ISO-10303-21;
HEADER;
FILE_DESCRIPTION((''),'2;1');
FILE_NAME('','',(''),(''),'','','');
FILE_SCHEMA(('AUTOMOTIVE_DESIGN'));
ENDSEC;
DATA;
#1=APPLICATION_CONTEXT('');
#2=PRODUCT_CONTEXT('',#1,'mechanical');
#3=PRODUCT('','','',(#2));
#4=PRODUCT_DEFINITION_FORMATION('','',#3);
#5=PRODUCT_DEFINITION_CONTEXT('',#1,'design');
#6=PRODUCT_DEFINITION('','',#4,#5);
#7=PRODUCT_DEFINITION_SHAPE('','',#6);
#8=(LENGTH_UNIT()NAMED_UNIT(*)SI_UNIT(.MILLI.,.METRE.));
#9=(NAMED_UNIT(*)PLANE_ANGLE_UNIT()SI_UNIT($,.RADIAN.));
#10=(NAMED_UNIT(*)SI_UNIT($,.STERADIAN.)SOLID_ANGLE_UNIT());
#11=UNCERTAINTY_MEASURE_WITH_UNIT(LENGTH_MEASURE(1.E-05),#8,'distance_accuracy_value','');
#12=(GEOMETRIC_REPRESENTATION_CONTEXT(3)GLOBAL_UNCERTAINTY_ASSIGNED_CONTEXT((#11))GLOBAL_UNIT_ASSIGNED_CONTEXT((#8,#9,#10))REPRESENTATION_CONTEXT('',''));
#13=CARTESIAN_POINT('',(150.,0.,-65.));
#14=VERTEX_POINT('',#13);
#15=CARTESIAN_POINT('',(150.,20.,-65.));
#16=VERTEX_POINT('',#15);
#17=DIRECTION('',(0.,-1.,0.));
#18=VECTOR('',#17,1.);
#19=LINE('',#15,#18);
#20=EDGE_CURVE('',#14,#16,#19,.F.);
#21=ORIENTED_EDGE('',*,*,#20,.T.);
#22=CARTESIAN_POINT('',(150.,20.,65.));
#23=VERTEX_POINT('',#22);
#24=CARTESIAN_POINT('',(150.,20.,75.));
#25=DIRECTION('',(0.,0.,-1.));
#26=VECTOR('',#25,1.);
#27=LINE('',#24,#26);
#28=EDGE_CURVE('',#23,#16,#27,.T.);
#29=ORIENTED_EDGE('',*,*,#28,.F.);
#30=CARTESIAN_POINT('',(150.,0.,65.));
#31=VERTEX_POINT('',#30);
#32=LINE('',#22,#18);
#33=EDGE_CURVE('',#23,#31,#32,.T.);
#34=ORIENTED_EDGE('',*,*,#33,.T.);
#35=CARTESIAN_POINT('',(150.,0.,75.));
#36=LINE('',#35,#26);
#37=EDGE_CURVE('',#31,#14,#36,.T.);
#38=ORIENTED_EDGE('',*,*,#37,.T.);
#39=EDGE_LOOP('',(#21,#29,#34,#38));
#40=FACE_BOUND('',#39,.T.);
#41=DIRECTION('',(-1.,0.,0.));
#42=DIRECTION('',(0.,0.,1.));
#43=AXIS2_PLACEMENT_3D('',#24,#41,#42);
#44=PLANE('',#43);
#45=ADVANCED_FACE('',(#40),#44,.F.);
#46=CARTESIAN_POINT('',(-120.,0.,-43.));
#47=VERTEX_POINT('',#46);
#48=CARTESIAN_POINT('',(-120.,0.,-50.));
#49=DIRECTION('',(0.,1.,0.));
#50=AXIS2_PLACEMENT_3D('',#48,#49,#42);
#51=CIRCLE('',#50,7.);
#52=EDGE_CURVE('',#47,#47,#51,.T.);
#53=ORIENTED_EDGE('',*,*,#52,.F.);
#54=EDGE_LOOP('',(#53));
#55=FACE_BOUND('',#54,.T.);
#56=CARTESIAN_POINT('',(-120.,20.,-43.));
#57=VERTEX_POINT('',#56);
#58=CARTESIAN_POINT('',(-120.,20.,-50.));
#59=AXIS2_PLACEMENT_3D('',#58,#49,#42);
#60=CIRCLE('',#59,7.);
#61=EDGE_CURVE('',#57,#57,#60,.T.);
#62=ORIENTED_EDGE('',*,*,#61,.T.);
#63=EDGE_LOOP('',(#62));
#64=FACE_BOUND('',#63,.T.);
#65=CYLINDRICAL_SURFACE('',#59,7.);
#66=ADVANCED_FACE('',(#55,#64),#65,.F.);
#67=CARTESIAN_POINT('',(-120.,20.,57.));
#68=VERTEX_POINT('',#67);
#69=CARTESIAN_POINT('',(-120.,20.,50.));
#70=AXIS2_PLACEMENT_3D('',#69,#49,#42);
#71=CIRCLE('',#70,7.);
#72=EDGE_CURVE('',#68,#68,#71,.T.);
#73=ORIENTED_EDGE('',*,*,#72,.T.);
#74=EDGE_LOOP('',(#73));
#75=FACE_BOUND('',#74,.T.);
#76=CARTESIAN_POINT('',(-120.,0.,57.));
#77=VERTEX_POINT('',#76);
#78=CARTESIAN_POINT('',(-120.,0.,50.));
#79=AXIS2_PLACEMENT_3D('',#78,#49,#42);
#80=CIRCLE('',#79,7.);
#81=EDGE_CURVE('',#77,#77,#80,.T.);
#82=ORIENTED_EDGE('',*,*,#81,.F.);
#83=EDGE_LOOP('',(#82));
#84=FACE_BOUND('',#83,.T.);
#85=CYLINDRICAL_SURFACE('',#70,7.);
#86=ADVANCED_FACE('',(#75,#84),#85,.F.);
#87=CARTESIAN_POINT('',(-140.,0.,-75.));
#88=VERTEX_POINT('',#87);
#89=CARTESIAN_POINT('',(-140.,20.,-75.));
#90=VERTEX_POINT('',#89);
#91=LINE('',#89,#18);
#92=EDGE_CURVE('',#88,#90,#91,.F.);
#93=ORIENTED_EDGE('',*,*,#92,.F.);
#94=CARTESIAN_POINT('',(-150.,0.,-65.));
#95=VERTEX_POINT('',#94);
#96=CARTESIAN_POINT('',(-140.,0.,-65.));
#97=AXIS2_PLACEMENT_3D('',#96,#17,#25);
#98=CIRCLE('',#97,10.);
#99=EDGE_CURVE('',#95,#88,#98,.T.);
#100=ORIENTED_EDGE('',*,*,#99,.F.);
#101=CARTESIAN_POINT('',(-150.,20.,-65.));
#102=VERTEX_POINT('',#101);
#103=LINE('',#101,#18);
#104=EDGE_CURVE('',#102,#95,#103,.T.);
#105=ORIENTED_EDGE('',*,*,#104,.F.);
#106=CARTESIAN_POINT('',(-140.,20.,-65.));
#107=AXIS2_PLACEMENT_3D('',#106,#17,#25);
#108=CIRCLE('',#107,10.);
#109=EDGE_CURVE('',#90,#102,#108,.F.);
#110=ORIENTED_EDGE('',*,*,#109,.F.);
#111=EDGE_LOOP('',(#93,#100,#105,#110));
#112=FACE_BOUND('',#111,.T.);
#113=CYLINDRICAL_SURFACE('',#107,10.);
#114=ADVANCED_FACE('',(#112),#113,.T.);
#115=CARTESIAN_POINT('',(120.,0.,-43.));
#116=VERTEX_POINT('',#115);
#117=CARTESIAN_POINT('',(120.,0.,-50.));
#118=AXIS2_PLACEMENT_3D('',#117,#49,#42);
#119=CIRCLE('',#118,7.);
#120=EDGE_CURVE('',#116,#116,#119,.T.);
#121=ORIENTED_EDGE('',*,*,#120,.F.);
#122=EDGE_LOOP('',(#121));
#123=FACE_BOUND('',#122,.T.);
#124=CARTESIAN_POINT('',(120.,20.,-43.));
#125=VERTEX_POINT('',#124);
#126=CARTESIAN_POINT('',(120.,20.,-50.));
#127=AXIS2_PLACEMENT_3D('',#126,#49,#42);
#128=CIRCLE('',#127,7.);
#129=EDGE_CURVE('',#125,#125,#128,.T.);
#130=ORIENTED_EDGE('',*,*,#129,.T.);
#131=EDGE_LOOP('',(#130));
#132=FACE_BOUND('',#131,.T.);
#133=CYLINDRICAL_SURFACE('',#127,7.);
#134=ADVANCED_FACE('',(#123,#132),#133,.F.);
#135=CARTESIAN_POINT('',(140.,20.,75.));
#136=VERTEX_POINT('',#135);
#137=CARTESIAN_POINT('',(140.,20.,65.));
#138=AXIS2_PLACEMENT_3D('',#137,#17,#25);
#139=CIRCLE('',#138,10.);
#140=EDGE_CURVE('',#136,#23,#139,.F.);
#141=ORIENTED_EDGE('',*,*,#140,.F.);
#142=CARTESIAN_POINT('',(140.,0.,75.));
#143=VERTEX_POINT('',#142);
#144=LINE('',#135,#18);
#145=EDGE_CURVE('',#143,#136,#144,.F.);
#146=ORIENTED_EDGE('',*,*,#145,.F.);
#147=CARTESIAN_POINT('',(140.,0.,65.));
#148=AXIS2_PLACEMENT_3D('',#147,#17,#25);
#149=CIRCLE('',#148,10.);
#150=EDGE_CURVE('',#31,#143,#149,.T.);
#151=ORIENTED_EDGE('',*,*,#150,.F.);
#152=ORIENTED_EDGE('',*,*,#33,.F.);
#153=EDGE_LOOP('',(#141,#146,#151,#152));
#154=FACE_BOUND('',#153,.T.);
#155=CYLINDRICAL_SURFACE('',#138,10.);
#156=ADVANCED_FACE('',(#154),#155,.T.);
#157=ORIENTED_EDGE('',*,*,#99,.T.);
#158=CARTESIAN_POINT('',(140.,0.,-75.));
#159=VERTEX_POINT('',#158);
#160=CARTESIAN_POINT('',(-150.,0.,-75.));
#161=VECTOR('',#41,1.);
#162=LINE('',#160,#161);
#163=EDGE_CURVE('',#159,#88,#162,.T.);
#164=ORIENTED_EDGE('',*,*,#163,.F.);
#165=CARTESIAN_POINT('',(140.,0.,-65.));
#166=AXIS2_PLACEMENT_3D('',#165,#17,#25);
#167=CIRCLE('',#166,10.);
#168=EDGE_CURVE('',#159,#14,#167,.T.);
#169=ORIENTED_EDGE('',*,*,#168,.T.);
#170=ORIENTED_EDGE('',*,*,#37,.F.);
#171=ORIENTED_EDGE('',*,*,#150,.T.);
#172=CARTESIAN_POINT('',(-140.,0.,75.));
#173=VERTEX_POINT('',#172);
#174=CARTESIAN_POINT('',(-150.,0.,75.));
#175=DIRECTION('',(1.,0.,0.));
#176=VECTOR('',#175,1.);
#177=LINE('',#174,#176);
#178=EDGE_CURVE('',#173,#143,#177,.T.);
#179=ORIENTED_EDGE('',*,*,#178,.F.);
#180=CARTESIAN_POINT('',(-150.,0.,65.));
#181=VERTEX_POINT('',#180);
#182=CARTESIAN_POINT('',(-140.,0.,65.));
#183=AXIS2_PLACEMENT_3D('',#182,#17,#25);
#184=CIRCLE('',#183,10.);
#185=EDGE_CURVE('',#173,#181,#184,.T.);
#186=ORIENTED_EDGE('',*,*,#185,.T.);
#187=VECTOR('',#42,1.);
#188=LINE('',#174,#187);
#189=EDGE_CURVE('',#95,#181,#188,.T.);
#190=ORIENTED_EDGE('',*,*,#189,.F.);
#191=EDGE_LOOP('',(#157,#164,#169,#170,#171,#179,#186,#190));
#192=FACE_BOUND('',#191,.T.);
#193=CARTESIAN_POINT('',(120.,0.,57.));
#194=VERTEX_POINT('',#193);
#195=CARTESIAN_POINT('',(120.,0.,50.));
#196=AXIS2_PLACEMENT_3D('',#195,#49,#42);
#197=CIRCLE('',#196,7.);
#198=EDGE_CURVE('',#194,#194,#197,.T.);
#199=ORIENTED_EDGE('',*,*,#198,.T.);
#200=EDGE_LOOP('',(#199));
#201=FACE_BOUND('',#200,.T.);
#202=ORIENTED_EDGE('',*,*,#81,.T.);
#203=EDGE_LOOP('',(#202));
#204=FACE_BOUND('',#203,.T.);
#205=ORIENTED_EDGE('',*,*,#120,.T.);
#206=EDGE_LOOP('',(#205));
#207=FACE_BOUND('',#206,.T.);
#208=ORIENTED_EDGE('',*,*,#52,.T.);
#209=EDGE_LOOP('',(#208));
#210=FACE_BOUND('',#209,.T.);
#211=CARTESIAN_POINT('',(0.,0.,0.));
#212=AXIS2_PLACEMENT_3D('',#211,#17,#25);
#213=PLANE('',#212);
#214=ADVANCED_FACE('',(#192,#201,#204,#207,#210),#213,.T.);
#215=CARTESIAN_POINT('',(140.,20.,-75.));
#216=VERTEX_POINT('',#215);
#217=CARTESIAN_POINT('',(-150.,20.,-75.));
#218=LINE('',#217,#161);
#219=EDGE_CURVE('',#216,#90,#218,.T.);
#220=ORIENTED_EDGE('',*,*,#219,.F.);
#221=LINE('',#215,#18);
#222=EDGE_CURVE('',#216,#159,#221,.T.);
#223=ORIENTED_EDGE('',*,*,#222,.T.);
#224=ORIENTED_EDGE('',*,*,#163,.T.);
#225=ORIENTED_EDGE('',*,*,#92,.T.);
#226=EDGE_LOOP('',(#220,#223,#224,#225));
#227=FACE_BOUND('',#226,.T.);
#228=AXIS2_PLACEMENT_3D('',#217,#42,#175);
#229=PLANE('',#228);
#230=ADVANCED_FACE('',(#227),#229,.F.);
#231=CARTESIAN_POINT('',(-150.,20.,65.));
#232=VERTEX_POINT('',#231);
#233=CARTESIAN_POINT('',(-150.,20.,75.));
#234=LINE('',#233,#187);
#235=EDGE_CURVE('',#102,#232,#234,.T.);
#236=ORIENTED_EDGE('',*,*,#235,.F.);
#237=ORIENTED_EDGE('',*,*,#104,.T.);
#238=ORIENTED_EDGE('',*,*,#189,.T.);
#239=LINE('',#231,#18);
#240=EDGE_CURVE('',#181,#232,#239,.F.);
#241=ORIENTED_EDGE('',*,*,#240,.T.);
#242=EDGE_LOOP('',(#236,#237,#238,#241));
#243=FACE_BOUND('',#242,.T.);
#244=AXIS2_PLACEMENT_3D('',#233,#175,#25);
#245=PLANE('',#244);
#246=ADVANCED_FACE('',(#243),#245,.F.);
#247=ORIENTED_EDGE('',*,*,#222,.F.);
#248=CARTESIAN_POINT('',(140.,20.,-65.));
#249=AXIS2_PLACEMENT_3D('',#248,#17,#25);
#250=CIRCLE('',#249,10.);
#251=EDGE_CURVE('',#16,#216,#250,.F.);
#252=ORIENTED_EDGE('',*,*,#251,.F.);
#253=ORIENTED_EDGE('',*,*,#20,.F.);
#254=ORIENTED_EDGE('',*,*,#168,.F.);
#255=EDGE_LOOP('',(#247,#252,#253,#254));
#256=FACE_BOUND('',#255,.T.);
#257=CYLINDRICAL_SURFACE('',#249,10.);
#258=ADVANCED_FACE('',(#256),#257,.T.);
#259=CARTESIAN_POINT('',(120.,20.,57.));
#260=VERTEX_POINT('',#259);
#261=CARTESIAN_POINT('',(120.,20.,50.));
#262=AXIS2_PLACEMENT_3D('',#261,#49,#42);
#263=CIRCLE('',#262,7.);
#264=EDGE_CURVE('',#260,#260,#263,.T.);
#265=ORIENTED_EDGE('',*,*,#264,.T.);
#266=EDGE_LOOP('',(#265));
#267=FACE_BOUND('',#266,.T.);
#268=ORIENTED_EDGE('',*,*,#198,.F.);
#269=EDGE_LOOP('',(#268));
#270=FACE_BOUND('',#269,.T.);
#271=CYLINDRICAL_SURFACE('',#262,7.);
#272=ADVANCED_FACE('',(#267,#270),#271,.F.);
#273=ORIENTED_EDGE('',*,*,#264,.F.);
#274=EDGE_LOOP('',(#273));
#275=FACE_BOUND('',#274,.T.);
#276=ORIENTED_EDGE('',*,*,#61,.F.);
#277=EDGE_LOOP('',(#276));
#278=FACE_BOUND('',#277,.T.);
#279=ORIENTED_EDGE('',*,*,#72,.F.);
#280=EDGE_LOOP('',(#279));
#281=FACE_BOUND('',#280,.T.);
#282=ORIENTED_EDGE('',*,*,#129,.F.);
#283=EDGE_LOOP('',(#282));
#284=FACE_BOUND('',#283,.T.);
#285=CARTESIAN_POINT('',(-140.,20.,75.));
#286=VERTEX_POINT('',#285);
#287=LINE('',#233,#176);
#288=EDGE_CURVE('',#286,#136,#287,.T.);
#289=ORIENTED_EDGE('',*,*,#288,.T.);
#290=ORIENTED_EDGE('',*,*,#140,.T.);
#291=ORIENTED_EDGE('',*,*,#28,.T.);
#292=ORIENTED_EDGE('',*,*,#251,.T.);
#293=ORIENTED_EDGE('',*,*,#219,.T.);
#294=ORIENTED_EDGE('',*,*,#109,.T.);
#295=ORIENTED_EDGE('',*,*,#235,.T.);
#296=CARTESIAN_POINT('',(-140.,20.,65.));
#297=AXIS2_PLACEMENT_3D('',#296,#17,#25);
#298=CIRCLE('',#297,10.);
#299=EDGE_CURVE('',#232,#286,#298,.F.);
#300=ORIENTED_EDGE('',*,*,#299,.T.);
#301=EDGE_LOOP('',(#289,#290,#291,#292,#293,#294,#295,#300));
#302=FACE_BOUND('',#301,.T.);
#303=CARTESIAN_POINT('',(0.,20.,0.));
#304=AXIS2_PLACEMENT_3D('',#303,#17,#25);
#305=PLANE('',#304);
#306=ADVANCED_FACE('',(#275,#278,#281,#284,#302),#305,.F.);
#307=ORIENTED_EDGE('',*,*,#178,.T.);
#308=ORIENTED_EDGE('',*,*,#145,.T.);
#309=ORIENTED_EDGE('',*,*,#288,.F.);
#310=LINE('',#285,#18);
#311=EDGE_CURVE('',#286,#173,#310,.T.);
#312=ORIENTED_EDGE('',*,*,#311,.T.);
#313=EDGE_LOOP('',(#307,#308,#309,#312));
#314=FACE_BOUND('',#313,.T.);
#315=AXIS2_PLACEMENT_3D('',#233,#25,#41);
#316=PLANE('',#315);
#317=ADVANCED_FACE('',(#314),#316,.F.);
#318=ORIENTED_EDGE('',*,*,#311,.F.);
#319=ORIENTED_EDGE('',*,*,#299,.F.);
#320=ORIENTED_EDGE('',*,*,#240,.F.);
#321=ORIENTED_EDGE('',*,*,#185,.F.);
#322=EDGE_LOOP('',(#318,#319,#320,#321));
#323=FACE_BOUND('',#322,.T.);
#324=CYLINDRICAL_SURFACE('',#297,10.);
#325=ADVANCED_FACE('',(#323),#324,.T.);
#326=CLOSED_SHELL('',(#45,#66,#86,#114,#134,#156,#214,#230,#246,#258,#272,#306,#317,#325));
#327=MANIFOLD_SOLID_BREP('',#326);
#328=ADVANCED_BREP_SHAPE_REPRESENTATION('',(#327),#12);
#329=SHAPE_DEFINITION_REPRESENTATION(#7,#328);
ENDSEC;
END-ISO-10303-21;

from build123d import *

# Parameters (mm, degrees)
SKETCH1_W           = 300
SKETCH1_H           = 150
BOSS_EXTRUDE1_DEPTH = 20
FILLET1_R           = 10
M16_TAPPED_HOLE1_D  = 14


with BuildPart() as part:
    # Sketch1 → Boss-Extrude1 (new body)
    with BuildSketch(Plane(origin=(0, 0, 0), x_dir=(1, 0, 0), z_dir=(0, 1, 0))):
        Rectangle(SKETCH1_W, SKETCH1_H)
    extrude(amount=BOSS_EXTRUDE1_DEPTH)

    # Fillet1
    fillet1_edges = [part.edges().sort_by_distance(p)[0] for p in [
        (150, 10, 75),
        (-150, 10, 75),
        (-150, 10, -75),
        (150, 10, -75),
    ]]
    fillet(fillet1_edges, radius=FILLET1_R)

    # M16 Tapped Hole1 (through all)
    with Locations(Plane(origin=(-120, 20, -50), x_dir=(0, 0, 1), z_dir=(0, 1, 0))):
        with Locations((0, 0), (0, 240), (100, 240), (100, 0)):
            Hole(M16_TAPPED_HOLE1_D / 2)


solid = part.part
